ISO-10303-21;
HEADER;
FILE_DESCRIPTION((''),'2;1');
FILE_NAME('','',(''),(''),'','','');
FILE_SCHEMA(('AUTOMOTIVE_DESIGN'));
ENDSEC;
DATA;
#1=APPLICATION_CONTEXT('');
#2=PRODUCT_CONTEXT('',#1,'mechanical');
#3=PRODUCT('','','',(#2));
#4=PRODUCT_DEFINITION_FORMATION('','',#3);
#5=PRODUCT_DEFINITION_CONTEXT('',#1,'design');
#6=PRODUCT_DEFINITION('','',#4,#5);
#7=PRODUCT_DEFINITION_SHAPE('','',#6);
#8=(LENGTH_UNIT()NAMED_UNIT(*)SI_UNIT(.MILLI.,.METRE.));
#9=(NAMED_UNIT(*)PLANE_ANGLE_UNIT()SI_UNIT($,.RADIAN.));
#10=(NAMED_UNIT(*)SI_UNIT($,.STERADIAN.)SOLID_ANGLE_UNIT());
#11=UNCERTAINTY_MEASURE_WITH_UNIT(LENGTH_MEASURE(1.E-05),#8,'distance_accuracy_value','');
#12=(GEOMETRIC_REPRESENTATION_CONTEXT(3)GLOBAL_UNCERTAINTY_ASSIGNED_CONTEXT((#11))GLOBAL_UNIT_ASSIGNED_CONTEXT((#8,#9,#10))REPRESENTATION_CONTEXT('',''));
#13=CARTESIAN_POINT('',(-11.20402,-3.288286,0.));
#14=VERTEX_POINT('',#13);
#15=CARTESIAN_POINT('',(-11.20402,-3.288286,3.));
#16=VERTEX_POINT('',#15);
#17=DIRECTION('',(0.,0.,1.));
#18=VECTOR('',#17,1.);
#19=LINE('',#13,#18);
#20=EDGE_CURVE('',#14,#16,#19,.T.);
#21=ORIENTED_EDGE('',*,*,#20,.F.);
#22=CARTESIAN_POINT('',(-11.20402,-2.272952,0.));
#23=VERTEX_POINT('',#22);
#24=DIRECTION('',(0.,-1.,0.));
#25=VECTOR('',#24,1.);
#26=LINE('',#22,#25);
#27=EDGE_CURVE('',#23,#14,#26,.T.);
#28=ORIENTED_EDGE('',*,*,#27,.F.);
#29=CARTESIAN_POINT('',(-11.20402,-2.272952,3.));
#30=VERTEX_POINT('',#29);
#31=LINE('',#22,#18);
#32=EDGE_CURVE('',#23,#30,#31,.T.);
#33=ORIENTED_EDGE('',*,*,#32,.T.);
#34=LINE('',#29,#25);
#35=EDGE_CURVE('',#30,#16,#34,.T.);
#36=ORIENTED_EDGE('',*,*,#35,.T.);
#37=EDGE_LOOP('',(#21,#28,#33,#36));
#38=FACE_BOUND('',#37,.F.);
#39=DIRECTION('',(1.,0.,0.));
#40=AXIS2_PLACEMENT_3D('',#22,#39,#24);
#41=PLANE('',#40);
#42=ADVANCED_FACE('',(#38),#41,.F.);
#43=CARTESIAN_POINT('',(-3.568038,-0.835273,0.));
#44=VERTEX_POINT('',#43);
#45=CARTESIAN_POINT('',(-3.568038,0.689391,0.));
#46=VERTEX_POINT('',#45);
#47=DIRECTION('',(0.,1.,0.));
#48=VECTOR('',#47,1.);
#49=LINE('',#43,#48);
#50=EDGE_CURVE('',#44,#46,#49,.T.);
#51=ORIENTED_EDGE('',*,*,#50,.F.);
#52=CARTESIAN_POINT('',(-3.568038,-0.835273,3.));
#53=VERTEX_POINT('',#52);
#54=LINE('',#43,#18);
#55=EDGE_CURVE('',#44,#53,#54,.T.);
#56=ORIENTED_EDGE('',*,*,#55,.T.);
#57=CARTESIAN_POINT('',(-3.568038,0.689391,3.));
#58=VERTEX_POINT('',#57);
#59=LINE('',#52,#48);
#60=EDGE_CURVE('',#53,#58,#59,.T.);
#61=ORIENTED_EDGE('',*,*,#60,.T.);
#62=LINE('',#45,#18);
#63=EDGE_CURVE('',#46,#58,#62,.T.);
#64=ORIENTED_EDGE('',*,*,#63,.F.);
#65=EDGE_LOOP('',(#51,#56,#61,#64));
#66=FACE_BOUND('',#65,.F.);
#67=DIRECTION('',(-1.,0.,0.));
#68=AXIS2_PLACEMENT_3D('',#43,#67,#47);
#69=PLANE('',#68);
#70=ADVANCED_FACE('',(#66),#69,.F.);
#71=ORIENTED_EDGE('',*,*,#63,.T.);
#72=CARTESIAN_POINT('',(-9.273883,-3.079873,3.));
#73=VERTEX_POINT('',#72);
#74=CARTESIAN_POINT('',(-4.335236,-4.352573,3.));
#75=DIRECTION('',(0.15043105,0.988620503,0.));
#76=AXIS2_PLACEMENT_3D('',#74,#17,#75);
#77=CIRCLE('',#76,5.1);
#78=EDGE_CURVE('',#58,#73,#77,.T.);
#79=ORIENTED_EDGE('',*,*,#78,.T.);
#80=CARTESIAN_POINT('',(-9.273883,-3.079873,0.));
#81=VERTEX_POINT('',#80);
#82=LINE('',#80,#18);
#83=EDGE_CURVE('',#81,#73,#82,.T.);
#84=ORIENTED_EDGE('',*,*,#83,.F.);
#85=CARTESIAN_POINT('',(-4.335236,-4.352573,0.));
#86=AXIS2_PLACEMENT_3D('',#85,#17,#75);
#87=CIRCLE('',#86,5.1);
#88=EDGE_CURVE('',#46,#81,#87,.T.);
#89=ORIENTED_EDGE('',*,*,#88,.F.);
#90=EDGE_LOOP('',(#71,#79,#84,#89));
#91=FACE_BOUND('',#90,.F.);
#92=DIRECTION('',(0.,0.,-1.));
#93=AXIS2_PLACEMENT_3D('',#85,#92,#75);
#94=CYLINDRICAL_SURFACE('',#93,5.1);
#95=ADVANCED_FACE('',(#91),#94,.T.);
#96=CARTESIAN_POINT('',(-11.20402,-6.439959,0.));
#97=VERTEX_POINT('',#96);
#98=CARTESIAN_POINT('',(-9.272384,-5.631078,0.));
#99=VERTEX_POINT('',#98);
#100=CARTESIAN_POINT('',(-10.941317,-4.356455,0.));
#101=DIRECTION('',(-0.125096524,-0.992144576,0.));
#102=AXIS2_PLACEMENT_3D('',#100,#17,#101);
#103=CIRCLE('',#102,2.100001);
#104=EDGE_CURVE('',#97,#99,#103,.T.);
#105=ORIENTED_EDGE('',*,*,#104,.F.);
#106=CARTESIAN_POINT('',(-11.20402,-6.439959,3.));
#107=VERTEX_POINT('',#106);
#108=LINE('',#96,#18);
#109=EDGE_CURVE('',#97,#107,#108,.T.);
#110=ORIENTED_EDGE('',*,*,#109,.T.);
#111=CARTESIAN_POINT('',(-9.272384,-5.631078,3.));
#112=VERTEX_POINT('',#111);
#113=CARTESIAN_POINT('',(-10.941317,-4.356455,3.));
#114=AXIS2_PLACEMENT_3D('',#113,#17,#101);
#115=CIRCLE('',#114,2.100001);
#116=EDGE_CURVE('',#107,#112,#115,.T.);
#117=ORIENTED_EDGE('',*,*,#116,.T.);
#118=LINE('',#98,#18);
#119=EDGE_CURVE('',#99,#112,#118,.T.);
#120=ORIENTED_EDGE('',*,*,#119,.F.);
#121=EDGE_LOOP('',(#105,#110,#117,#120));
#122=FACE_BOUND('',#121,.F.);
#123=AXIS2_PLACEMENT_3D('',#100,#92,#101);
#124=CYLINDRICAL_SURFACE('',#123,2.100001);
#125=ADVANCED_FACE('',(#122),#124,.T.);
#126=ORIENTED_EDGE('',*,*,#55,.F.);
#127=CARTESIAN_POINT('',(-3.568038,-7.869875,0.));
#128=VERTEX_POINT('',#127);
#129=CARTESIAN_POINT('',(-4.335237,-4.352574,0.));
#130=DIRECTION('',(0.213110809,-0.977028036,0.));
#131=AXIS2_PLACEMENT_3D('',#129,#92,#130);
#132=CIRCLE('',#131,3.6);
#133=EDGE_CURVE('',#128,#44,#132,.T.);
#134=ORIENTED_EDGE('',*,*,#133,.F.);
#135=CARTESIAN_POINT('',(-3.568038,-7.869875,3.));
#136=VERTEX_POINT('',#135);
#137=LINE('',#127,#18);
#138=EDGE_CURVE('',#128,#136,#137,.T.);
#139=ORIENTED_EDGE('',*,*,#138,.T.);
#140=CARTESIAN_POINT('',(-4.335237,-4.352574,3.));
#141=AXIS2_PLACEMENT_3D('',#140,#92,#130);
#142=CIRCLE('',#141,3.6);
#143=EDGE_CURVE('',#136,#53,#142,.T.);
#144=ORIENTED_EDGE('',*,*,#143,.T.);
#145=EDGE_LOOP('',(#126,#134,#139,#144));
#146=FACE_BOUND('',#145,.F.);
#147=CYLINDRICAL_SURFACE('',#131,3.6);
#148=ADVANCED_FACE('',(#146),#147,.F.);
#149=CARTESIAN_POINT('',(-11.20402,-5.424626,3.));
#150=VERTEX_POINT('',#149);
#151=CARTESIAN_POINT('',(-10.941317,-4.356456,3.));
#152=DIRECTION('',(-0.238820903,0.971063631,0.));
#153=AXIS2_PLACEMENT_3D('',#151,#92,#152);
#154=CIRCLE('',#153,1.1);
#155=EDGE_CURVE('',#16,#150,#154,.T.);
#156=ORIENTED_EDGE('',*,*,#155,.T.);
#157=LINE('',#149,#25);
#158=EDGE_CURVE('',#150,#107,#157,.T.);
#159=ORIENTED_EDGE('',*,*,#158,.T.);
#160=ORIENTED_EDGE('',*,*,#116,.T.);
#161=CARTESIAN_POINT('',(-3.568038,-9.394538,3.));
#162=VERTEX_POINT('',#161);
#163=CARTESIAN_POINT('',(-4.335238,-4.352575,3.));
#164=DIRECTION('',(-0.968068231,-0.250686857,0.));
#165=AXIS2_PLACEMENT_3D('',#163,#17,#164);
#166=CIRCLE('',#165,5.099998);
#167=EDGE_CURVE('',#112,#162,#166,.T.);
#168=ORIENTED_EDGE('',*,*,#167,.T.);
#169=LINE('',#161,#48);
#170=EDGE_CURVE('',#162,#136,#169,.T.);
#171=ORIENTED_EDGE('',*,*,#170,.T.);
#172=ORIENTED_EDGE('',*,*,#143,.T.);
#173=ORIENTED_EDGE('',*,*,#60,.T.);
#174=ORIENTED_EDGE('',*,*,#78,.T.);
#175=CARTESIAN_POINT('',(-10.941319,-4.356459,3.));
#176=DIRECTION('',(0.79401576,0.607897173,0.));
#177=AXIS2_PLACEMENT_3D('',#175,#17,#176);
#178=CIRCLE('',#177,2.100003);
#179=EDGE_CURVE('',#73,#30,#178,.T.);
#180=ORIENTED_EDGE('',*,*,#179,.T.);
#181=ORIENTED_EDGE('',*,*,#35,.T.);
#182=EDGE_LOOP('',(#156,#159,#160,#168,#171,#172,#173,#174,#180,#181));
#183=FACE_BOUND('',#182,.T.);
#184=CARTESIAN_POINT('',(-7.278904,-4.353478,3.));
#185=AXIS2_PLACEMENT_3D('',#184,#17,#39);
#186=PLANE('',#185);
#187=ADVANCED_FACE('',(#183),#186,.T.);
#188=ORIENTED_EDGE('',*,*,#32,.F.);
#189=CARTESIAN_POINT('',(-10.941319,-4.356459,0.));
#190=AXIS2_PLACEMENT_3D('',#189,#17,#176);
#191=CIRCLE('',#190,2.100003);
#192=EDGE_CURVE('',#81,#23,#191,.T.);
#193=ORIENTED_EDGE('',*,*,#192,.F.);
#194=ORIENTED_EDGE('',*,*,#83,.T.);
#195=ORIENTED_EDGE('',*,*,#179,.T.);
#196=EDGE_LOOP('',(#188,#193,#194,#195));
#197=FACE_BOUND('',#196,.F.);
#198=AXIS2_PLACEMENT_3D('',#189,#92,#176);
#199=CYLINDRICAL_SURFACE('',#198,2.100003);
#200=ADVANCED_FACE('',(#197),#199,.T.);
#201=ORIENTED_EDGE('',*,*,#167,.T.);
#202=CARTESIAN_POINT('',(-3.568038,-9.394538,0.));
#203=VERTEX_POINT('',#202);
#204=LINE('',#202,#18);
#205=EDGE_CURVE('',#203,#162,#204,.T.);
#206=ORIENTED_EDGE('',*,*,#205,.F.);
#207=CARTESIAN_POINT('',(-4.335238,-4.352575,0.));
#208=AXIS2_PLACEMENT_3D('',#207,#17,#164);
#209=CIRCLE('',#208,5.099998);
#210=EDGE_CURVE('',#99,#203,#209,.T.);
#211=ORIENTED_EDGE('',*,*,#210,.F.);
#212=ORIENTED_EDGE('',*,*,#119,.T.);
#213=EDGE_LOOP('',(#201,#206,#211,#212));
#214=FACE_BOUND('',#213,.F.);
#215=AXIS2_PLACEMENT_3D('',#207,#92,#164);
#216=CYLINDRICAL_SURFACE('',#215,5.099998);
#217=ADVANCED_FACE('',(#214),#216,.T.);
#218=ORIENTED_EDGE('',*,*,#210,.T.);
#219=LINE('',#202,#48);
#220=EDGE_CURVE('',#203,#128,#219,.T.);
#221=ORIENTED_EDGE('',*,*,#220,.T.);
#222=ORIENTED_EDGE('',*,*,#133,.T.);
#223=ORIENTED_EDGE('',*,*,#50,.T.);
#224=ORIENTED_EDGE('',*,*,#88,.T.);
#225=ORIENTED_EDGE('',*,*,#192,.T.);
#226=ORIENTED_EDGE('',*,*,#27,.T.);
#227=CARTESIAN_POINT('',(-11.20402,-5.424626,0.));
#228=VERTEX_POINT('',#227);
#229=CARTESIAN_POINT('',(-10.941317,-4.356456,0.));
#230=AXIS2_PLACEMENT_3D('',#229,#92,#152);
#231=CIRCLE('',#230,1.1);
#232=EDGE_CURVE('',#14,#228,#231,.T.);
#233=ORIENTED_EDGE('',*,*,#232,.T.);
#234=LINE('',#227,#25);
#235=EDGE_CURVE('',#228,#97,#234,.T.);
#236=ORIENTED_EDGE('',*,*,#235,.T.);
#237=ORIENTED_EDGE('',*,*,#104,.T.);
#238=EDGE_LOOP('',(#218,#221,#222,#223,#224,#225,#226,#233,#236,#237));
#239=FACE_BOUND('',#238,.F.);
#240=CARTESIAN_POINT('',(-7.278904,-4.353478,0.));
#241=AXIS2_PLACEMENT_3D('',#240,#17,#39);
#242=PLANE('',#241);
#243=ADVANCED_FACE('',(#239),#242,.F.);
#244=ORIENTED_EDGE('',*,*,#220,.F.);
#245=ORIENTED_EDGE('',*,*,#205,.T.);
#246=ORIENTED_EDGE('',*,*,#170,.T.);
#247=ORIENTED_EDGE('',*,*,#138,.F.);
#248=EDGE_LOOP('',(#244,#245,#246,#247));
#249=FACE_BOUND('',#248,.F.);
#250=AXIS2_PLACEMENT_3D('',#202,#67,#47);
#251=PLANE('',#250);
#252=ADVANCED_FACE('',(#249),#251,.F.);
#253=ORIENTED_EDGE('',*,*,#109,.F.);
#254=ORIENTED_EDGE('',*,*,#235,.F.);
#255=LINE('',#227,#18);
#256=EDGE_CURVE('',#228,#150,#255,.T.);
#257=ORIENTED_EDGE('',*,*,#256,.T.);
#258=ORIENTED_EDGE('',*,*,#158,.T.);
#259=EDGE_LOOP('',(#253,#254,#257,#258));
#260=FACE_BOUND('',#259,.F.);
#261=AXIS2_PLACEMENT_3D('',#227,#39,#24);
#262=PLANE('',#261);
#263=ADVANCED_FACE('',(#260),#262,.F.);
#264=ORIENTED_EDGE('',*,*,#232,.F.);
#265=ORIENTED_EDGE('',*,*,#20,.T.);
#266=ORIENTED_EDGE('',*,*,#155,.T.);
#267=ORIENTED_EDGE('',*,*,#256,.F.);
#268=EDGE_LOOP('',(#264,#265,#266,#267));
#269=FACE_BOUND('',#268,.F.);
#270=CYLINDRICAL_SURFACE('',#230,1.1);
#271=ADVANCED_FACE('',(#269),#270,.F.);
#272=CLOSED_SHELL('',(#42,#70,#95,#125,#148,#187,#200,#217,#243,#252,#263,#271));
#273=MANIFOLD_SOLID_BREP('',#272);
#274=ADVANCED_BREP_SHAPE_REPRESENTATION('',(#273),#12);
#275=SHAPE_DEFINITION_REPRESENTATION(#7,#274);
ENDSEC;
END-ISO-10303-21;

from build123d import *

# Parameters (mm, degrees)
F1_DEPTH = 3


with BuildPart() as f1:
    # F0 (on Top) → F1 (new body)
    with BuildSketch(Plane.XY):
        with BuildLine():
            ThreePointArc((-3.568038, -7.869875), (-7.935237, -4.352574), (-3.568038, -0.835273))
            Line((-3.568038, -0.835273), (-3.568038, 0.689391))
            ThreePointArc((-3.568038, 0.689391), (-7.146301, -0.097234), (-9.273883, -3.079873))
            ThreePointArc((-9.273883, -3.079873), (-10.131319, -2.418957), (-11.20402, -2.272952))
            Line((-11.20402, -2.272952), (-11.20402, -3.288286))
            ThreePointArc((-11.20402, -3.288286), (-9.841317, -4.356456), (-11.20402, -5.424626))
            Line((-11.20402, -5.424626), (-11.20402, -6.439959))
            ThreePointArc((-11.20402, -6.439959), (-10.13018, -6.293478), (-9.272384, -5.631078))
            ThreePointArc((-9.272384, -5.631078), (-7.1438, -8.609565), (-3.568038, -9.394538))
            Line((-3.568038, -9.394538), (-3.568038, -7.869875))
        make_face()
    extrude(amount=F1_DEPTH)


solid = f1.part
